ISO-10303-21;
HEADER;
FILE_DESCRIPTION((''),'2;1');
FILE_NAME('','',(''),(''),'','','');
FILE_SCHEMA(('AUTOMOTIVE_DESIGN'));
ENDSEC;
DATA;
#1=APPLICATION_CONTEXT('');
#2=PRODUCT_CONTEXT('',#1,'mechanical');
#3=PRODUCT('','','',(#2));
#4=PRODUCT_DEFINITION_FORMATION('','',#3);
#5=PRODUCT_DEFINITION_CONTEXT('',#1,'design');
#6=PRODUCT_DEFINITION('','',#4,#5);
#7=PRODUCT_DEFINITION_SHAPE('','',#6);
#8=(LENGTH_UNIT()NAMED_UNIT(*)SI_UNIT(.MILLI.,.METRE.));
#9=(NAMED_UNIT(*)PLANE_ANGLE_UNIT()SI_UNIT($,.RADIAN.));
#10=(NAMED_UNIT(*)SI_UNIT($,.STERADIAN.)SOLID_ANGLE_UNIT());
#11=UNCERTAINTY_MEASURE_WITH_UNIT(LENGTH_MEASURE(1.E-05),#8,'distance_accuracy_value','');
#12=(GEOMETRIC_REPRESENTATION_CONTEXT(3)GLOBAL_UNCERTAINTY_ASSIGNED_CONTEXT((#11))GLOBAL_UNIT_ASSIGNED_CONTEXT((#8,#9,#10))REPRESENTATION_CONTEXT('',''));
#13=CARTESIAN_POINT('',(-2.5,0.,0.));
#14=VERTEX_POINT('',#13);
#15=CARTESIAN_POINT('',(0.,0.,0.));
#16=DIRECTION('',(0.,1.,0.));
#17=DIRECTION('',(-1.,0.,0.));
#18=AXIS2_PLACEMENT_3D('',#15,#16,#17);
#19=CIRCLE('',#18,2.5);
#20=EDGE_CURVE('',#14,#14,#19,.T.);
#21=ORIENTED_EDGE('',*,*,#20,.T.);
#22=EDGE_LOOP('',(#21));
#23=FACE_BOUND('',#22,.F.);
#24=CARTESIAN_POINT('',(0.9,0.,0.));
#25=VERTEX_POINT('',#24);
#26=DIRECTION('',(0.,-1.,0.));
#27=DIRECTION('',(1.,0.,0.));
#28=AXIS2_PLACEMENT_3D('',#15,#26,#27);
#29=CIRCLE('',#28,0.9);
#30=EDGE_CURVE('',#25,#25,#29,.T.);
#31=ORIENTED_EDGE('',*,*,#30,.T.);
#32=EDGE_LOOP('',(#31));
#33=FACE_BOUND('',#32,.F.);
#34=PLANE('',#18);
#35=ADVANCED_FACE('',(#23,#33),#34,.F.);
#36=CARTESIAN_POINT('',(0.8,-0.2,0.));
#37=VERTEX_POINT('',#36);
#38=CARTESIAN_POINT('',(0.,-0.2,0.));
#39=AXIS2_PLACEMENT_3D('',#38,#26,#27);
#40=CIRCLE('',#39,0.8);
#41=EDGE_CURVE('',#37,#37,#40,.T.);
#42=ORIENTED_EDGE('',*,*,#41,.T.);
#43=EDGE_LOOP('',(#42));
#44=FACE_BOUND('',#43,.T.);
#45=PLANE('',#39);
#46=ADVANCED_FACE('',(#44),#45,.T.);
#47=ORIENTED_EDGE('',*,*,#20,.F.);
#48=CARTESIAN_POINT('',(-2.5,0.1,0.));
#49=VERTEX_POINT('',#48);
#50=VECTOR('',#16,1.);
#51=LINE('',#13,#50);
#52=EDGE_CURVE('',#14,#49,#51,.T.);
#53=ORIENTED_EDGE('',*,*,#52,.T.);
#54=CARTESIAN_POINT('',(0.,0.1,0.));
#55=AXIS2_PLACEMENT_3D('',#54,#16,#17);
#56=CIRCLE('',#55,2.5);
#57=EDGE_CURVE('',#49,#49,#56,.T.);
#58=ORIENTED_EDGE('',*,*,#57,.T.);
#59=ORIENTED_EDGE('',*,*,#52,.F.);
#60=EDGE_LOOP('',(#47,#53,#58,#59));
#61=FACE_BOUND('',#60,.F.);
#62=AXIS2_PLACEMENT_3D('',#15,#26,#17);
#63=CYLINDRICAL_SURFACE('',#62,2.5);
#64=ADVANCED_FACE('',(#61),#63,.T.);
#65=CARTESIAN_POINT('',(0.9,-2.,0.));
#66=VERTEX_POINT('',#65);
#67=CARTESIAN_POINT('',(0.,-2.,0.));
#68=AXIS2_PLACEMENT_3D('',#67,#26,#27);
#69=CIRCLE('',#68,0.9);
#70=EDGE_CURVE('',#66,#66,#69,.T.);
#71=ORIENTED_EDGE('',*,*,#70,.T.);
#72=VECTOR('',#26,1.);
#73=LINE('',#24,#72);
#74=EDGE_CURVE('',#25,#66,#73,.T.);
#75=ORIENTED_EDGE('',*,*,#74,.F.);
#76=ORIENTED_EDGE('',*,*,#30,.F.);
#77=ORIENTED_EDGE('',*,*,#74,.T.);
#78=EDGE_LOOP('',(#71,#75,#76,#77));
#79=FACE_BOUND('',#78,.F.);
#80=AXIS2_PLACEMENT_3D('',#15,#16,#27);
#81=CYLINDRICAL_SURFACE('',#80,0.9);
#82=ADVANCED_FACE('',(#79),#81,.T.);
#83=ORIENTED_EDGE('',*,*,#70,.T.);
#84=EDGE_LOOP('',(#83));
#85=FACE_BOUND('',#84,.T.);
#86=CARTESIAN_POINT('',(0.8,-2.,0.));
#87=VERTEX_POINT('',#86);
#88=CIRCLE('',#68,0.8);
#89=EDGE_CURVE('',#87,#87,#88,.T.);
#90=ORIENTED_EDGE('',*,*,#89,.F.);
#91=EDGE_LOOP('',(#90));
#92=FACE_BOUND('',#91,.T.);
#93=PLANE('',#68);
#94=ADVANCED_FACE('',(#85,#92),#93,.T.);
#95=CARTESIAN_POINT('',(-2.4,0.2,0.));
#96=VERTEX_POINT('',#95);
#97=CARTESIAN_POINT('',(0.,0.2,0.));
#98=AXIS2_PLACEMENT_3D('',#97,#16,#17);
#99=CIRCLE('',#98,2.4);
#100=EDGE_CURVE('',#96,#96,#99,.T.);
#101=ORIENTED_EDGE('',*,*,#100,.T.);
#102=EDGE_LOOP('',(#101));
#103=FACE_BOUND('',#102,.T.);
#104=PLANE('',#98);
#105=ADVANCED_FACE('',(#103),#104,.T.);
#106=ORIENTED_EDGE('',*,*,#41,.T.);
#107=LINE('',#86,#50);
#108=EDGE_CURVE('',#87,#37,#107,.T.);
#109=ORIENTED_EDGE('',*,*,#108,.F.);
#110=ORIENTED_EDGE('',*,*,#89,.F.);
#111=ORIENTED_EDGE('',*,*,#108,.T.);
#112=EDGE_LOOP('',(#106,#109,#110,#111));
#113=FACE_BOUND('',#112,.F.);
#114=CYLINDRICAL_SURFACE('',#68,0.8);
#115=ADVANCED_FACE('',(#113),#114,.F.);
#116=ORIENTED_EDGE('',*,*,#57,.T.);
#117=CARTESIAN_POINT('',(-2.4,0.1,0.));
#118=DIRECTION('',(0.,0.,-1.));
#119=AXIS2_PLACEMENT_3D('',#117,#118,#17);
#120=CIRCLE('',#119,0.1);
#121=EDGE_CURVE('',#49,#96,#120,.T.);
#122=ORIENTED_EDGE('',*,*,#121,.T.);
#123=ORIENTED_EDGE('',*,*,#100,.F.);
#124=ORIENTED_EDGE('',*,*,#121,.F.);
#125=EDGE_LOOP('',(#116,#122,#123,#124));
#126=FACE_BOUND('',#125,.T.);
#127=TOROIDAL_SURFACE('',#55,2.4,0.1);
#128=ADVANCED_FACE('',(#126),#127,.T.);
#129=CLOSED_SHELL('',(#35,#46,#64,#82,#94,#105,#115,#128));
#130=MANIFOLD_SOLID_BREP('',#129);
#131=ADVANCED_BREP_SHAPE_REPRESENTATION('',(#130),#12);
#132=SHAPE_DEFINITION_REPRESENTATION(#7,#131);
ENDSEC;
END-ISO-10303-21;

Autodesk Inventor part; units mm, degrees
ref_plane "YZ Plane" through (0, 0, 0) normal (1, 0, 0) x (0, 1, 0)
ref_plane "XZ Plane" through (0, 0, 0) normal (0, 1, 0) x (-1, 0, 0)
ref_plane "XY Plane" through (0, 0, 0) normal (0, 0, 1) x (1, 0, 0)
sketch "Sketch2" plane through (0, 0, 0) normal (0, 1, 0) x (-1, 0, 0)
  circle A0 centre (0, 0) radius 2.5
  dimension "d0" = 5
extrude "Extrusion1" add sketch "Sketch2" along normal blind 0.2
sketch "Sketch3" plane through (0, 0, 0) normal (0, -1, 0) x (1, 0, 0)
  circle A0 centre (0, 0) radius 0.9
  dimension "d3" = 1.8
extrude "Extrusion2" add sketch "Sketch3" along normal blind 2
sketch "Sketch4" plane through (0, -2, 0) normal (0, -1, 0) x (1, 0, 0)
  circle A0 centre (0, 0) radius 0.8
  dimension "d6" = 1.6
extrude "Extrusion3" cut sketch "Sketch4" against normal blind 1.8
fillet "Fillet1" radius 0.1 1 edges at (2.5, 0.2, 0)
properties part number "Contact"
